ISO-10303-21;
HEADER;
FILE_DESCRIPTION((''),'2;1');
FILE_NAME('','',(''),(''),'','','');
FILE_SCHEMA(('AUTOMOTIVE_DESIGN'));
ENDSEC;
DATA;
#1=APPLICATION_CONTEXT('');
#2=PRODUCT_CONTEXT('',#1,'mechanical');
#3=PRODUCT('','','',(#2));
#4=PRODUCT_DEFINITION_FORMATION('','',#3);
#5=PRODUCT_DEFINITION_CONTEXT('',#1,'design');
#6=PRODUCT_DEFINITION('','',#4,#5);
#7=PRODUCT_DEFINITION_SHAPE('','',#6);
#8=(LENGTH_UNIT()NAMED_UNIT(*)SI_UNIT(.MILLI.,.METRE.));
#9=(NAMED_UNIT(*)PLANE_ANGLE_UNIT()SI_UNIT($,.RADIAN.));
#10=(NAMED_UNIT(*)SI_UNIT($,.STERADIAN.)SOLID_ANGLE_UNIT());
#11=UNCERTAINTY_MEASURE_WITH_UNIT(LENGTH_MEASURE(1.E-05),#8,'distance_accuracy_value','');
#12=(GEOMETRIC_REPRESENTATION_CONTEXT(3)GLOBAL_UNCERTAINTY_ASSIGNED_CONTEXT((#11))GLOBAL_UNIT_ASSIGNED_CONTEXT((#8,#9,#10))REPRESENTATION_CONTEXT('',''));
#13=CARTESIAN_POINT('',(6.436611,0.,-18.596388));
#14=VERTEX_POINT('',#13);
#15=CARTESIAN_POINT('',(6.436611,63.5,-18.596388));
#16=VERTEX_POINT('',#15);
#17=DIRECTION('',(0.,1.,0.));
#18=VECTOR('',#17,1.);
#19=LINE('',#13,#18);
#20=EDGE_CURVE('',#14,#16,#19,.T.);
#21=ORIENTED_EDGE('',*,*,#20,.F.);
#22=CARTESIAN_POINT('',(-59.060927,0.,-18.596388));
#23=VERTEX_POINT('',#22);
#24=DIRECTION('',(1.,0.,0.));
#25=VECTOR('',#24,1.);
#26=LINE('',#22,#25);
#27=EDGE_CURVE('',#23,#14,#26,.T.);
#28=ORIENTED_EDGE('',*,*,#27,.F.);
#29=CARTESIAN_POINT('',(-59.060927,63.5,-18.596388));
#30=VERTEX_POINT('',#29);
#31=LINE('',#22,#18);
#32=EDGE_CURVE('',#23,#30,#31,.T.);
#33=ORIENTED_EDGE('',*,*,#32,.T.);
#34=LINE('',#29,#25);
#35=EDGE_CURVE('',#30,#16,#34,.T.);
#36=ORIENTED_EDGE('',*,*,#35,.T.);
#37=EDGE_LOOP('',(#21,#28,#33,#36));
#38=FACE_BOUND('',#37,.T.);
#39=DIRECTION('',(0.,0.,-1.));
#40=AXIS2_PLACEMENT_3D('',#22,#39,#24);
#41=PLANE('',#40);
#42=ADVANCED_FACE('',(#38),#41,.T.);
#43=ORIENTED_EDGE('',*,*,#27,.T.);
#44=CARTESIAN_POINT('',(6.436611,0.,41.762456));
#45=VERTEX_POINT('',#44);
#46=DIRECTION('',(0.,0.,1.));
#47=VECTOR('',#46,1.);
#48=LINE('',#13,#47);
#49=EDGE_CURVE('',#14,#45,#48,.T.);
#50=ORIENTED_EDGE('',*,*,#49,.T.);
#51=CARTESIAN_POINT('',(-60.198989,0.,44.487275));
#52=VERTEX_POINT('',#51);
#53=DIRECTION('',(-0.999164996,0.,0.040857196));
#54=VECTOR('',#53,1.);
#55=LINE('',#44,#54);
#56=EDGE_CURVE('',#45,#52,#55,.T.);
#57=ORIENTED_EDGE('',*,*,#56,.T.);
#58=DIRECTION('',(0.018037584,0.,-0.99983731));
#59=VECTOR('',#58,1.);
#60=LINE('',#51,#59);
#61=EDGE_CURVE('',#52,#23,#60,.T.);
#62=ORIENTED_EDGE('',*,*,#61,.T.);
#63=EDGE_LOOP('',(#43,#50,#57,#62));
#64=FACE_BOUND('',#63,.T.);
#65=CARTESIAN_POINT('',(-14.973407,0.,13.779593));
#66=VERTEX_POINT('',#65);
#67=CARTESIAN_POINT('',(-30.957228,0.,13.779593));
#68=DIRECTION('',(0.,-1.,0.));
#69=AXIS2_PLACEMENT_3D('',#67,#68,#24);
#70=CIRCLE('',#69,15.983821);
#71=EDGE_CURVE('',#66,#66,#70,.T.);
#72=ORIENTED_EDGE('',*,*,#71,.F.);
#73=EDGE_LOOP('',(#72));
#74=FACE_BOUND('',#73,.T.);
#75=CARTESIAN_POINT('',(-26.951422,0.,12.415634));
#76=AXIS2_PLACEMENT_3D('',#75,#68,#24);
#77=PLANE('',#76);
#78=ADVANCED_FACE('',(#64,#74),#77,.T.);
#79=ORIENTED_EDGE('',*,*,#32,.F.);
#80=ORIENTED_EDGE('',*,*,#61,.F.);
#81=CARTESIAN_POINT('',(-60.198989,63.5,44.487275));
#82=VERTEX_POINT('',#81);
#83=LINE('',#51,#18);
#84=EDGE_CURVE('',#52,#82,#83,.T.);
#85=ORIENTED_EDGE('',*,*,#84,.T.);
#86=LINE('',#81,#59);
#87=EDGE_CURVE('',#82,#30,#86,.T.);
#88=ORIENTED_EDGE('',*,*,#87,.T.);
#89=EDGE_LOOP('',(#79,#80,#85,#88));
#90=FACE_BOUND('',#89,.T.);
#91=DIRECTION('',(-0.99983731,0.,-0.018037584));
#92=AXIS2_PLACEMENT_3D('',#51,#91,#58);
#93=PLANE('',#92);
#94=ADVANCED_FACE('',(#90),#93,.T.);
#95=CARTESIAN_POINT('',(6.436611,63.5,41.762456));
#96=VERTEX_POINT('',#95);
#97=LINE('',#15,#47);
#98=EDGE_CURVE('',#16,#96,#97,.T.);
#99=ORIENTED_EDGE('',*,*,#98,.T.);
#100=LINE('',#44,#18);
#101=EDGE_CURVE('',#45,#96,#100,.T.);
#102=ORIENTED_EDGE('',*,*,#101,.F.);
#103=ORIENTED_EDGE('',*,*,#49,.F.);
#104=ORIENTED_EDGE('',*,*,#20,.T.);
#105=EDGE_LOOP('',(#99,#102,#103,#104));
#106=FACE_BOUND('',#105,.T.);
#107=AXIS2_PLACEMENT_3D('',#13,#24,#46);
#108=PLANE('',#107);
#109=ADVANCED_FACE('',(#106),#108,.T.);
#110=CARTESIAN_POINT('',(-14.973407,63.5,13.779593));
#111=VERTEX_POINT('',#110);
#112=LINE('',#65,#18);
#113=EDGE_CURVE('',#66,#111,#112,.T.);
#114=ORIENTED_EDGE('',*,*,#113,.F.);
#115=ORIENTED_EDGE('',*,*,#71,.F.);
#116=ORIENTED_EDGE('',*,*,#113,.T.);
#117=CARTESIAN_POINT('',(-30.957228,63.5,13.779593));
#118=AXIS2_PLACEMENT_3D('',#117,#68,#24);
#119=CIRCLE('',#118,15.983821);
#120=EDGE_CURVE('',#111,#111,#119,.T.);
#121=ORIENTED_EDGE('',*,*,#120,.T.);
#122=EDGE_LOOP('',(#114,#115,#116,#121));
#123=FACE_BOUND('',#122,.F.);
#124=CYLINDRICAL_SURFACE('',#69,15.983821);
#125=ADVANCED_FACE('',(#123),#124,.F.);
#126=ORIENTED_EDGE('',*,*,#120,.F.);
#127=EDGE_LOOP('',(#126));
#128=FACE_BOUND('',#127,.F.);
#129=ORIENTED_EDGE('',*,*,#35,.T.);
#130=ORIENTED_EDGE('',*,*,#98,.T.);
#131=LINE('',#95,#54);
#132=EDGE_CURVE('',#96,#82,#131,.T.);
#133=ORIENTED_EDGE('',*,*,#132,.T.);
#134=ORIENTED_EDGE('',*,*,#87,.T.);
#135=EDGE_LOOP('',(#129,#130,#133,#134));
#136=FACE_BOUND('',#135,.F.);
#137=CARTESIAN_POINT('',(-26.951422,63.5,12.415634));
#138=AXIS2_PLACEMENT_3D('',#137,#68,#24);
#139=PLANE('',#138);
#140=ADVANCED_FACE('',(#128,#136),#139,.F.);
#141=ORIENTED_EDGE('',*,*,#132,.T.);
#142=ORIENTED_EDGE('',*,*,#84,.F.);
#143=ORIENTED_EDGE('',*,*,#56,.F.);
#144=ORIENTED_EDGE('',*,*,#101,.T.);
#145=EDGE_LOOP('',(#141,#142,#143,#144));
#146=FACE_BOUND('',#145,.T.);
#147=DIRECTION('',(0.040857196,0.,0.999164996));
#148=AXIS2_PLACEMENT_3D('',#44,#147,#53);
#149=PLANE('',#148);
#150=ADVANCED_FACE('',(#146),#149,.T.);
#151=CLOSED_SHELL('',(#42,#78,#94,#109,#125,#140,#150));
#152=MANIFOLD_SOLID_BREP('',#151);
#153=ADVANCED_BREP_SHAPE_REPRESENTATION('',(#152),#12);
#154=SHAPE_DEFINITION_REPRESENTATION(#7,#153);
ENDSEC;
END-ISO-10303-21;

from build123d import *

# Parameters (mm, degrees)
F1_DEPTH = 63.5
F2_R     = 15.983821
F3_DEPTH = 63.501


with BuildPart() as f1:
    # F0 (on Front) → F1 (new body)
    with BuildSketch(Plane.XZ):
        Polygon((6.436611, 41.762456), (-60.198989, 44.487275), (-59.060927, -18.596388), (6.436611, -18.596388), align=None)
    extrude(amount=-F1_DEPTH)

    # F2 (on face) → F3 (cut, through all)
    with BuildSketch(Plane.XZ):
        with Locations((-30.957228, 13.779593)):
            Circle(F2_R)
    extrude(amount=-F3_DEPTH, mode=Mode.SUBTRACT)


solid = f1.part
